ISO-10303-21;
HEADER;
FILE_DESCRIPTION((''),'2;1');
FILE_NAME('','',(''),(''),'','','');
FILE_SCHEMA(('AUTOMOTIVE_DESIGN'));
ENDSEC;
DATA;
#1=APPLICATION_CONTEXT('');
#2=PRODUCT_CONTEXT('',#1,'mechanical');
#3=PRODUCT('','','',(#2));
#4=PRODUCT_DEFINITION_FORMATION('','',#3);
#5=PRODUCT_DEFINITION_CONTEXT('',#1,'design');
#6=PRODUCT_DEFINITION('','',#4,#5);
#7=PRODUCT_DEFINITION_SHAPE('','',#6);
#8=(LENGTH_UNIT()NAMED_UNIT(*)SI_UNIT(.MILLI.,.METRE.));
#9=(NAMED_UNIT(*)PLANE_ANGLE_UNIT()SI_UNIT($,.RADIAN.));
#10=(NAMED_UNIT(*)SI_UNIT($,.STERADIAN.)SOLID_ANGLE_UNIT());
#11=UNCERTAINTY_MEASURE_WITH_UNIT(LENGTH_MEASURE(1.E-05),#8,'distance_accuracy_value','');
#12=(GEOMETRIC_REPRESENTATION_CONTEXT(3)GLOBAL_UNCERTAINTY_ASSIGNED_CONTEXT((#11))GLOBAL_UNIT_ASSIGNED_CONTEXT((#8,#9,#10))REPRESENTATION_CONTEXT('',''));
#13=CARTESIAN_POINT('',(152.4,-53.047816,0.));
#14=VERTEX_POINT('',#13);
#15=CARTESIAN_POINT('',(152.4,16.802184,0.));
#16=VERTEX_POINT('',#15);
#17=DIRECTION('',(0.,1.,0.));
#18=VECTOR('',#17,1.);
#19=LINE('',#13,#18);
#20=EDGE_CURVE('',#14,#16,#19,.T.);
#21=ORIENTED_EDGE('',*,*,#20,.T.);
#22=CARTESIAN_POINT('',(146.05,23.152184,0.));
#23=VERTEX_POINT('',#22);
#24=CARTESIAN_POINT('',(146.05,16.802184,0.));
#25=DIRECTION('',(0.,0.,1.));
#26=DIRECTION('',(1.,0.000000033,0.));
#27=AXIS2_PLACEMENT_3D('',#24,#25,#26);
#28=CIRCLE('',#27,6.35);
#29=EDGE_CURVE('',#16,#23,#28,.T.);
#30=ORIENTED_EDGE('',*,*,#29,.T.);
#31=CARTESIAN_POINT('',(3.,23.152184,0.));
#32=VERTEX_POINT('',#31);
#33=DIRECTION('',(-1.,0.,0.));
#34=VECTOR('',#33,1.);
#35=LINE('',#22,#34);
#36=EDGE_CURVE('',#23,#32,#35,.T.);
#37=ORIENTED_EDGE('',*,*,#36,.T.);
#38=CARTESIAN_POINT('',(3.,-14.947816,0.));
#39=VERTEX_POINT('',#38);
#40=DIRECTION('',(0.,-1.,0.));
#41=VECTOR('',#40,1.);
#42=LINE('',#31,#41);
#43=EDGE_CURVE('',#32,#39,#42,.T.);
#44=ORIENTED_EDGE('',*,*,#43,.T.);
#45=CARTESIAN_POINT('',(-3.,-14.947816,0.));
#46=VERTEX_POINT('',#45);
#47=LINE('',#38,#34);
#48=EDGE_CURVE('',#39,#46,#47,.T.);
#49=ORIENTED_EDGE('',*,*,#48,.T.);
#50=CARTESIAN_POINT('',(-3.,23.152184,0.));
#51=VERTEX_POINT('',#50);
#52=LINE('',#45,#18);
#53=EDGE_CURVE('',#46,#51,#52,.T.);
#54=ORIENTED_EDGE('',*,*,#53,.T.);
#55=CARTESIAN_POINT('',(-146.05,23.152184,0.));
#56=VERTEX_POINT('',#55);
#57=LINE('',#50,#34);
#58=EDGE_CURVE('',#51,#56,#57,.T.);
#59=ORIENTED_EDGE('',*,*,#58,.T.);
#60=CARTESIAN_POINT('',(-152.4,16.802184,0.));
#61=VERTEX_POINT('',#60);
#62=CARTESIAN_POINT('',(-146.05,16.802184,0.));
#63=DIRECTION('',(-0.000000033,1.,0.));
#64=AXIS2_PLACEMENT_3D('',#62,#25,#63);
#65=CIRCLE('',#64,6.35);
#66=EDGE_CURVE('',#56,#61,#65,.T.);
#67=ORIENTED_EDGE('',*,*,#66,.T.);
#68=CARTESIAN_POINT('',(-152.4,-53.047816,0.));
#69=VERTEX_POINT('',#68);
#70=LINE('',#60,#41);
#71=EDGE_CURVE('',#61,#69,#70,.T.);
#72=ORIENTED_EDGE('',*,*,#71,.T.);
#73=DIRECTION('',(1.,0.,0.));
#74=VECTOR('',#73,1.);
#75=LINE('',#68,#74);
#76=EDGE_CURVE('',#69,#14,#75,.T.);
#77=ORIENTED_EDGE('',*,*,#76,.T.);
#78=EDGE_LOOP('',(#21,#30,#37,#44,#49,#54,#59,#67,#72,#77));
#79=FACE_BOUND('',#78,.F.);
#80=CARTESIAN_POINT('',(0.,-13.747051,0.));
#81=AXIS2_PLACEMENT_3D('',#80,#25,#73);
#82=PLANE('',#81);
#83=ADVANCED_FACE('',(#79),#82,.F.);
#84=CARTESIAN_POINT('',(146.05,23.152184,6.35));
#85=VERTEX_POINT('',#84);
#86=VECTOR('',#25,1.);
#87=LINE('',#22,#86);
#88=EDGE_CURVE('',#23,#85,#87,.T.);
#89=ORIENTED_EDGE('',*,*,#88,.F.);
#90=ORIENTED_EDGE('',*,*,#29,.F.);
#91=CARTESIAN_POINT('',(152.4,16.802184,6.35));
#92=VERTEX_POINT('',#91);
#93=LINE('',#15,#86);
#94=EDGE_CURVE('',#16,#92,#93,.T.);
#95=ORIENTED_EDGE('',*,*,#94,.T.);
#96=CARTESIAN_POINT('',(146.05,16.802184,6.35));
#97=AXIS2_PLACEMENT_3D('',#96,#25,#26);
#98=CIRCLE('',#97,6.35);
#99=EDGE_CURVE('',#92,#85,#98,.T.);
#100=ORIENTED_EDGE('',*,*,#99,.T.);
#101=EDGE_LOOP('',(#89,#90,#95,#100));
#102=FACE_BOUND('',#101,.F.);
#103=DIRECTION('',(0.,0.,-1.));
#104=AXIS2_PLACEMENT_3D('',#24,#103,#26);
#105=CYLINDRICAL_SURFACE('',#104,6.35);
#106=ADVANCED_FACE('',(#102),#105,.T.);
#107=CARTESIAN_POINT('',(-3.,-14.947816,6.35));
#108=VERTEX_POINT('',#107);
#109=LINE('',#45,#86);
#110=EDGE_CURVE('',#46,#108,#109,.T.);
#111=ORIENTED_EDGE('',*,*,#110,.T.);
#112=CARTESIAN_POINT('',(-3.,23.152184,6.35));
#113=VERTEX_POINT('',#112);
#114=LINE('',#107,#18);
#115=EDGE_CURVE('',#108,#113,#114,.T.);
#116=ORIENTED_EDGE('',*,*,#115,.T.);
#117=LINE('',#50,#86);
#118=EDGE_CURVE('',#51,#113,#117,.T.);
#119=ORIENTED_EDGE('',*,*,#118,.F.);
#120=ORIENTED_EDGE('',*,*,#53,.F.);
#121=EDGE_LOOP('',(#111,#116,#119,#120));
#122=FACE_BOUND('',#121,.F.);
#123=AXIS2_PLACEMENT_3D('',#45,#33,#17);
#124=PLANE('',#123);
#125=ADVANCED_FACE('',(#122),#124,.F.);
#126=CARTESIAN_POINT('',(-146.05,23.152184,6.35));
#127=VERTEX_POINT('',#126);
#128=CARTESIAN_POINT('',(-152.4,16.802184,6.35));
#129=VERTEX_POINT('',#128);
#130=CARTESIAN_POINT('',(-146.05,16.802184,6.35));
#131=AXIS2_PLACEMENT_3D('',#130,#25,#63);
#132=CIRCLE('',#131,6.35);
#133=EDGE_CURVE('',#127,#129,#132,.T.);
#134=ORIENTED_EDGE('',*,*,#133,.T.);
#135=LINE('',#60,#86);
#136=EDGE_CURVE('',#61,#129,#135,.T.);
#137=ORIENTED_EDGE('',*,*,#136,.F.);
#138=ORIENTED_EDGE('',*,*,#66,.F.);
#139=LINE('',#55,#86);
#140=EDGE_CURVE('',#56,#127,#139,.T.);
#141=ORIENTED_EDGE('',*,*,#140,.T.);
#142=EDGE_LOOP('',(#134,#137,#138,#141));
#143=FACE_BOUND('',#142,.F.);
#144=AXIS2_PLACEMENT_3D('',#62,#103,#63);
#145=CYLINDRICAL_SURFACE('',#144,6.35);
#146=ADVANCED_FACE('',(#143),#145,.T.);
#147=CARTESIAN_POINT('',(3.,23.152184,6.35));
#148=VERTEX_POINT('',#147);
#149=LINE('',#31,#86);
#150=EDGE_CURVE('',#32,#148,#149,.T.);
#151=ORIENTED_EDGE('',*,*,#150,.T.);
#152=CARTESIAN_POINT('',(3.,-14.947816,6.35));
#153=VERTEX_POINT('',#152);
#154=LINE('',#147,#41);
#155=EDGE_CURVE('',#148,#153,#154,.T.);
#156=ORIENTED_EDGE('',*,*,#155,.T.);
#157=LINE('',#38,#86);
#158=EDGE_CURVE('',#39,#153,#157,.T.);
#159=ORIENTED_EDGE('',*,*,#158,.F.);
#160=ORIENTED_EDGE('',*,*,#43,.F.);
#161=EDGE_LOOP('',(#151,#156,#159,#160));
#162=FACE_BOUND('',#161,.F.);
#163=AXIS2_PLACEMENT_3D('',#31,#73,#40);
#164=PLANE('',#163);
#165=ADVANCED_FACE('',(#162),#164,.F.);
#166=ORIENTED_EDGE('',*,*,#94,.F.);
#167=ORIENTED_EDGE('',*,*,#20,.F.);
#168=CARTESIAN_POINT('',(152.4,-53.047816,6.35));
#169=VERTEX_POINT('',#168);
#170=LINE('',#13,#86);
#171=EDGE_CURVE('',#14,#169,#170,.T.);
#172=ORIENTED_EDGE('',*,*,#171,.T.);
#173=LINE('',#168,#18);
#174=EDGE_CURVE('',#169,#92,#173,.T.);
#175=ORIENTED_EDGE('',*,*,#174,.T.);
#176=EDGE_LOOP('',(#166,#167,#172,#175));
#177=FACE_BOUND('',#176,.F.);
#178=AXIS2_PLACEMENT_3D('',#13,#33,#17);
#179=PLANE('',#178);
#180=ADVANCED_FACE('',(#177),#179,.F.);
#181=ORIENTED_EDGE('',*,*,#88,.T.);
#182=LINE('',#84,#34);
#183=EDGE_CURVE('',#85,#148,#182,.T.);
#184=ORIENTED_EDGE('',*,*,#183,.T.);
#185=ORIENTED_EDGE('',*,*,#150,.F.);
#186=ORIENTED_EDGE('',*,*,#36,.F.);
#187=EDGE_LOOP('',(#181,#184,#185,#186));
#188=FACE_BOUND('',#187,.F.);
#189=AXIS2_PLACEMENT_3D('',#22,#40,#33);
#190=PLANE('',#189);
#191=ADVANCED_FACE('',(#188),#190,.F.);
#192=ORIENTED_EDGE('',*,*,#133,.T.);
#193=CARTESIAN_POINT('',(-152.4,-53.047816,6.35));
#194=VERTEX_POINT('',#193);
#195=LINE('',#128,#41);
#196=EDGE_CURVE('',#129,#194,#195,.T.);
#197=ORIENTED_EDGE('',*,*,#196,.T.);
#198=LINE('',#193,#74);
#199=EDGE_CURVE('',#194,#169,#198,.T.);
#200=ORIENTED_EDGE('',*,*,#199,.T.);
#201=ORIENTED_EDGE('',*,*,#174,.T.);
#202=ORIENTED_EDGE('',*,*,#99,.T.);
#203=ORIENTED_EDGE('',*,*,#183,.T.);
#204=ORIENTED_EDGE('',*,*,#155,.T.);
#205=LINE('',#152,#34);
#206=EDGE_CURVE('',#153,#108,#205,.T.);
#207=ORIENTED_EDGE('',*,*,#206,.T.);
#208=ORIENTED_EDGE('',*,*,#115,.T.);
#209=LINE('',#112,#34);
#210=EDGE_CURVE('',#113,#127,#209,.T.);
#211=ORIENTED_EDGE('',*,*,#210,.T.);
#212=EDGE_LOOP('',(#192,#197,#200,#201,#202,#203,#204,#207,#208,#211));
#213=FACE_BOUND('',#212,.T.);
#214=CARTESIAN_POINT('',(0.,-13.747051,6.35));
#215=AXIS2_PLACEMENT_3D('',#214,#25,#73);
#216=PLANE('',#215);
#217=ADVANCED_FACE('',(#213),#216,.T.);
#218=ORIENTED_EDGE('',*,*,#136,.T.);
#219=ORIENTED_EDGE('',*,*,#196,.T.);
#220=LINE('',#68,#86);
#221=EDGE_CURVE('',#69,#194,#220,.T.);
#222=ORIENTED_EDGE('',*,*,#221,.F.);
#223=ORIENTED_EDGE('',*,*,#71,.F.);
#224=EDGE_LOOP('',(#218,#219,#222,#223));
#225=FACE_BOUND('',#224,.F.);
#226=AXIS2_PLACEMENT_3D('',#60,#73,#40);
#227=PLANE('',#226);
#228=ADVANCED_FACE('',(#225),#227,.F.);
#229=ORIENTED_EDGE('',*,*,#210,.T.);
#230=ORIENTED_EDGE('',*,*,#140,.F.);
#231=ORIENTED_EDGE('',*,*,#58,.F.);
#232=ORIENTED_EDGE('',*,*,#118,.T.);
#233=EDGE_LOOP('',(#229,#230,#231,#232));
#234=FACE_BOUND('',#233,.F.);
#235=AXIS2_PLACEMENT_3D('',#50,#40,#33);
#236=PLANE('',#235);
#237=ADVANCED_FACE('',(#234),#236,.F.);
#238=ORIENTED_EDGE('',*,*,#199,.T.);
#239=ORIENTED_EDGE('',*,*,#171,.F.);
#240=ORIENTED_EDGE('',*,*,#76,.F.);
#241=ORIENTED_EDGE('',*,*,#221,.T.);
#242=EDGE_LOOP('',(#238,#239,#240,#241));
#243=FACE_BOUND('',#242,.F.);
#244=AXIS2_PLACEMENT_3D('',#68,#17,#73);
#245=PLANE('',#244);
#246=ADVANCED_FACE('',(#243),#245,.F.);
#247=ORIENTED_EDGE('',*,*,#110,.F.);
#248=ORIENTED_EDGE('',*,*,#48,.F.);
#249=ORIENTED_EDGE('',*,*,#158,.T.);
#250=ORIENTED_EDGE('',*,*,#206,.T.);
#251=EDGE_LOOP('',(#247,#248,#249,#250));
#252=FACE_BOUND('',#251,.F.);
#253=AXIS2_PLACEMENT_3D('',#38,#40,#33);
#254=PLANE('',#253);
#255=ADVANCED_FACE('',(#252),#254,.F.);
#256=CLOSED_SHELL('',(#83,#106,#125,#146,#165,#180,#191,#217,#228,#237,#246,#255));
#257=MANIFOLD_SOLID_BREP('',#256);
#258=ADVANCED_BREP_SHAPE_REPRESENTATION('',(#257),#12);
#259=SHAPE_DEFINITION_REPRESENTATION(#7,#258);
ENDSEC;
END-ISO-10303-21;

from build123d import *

# Parameters (mm, degrees)
F1_DEPTH = 6.35


with BuildPart() as f1:
    # F0 (on Top) → F1 (new body)
    with BuildSketch(Plane.XY):
        with BuildLine():
            Line((-3, 23.152184), (-146.05, 23.152184))
            ThreePointArc((-146.05, 23.152184), (-150.540128, 21.292312), (-152.4, 16.802184))
            Line((-152.4, 16.802184), (-152.4, -53.047816))
            Line((-152.4, -53.047816), (152.4, -53.047816))
            Line((152.4, -53.047816), (152.4, 16.802184))
            ThreePointArc((152.4, 16.802184), (150.540128, 21.292312), (146.05, 23.152184))
            Line((146.05, 23.152184), (3, 23.152184))
            Line((3, 23.152184), (3, -14.947816))
            Line((3, -14.947816), (-3, -14.947816))
            Line((-3, -14.947816), (-3, 23.152184))
        make_face()
    extrude(amount=F1_DEPTH)


solid = f1.part
